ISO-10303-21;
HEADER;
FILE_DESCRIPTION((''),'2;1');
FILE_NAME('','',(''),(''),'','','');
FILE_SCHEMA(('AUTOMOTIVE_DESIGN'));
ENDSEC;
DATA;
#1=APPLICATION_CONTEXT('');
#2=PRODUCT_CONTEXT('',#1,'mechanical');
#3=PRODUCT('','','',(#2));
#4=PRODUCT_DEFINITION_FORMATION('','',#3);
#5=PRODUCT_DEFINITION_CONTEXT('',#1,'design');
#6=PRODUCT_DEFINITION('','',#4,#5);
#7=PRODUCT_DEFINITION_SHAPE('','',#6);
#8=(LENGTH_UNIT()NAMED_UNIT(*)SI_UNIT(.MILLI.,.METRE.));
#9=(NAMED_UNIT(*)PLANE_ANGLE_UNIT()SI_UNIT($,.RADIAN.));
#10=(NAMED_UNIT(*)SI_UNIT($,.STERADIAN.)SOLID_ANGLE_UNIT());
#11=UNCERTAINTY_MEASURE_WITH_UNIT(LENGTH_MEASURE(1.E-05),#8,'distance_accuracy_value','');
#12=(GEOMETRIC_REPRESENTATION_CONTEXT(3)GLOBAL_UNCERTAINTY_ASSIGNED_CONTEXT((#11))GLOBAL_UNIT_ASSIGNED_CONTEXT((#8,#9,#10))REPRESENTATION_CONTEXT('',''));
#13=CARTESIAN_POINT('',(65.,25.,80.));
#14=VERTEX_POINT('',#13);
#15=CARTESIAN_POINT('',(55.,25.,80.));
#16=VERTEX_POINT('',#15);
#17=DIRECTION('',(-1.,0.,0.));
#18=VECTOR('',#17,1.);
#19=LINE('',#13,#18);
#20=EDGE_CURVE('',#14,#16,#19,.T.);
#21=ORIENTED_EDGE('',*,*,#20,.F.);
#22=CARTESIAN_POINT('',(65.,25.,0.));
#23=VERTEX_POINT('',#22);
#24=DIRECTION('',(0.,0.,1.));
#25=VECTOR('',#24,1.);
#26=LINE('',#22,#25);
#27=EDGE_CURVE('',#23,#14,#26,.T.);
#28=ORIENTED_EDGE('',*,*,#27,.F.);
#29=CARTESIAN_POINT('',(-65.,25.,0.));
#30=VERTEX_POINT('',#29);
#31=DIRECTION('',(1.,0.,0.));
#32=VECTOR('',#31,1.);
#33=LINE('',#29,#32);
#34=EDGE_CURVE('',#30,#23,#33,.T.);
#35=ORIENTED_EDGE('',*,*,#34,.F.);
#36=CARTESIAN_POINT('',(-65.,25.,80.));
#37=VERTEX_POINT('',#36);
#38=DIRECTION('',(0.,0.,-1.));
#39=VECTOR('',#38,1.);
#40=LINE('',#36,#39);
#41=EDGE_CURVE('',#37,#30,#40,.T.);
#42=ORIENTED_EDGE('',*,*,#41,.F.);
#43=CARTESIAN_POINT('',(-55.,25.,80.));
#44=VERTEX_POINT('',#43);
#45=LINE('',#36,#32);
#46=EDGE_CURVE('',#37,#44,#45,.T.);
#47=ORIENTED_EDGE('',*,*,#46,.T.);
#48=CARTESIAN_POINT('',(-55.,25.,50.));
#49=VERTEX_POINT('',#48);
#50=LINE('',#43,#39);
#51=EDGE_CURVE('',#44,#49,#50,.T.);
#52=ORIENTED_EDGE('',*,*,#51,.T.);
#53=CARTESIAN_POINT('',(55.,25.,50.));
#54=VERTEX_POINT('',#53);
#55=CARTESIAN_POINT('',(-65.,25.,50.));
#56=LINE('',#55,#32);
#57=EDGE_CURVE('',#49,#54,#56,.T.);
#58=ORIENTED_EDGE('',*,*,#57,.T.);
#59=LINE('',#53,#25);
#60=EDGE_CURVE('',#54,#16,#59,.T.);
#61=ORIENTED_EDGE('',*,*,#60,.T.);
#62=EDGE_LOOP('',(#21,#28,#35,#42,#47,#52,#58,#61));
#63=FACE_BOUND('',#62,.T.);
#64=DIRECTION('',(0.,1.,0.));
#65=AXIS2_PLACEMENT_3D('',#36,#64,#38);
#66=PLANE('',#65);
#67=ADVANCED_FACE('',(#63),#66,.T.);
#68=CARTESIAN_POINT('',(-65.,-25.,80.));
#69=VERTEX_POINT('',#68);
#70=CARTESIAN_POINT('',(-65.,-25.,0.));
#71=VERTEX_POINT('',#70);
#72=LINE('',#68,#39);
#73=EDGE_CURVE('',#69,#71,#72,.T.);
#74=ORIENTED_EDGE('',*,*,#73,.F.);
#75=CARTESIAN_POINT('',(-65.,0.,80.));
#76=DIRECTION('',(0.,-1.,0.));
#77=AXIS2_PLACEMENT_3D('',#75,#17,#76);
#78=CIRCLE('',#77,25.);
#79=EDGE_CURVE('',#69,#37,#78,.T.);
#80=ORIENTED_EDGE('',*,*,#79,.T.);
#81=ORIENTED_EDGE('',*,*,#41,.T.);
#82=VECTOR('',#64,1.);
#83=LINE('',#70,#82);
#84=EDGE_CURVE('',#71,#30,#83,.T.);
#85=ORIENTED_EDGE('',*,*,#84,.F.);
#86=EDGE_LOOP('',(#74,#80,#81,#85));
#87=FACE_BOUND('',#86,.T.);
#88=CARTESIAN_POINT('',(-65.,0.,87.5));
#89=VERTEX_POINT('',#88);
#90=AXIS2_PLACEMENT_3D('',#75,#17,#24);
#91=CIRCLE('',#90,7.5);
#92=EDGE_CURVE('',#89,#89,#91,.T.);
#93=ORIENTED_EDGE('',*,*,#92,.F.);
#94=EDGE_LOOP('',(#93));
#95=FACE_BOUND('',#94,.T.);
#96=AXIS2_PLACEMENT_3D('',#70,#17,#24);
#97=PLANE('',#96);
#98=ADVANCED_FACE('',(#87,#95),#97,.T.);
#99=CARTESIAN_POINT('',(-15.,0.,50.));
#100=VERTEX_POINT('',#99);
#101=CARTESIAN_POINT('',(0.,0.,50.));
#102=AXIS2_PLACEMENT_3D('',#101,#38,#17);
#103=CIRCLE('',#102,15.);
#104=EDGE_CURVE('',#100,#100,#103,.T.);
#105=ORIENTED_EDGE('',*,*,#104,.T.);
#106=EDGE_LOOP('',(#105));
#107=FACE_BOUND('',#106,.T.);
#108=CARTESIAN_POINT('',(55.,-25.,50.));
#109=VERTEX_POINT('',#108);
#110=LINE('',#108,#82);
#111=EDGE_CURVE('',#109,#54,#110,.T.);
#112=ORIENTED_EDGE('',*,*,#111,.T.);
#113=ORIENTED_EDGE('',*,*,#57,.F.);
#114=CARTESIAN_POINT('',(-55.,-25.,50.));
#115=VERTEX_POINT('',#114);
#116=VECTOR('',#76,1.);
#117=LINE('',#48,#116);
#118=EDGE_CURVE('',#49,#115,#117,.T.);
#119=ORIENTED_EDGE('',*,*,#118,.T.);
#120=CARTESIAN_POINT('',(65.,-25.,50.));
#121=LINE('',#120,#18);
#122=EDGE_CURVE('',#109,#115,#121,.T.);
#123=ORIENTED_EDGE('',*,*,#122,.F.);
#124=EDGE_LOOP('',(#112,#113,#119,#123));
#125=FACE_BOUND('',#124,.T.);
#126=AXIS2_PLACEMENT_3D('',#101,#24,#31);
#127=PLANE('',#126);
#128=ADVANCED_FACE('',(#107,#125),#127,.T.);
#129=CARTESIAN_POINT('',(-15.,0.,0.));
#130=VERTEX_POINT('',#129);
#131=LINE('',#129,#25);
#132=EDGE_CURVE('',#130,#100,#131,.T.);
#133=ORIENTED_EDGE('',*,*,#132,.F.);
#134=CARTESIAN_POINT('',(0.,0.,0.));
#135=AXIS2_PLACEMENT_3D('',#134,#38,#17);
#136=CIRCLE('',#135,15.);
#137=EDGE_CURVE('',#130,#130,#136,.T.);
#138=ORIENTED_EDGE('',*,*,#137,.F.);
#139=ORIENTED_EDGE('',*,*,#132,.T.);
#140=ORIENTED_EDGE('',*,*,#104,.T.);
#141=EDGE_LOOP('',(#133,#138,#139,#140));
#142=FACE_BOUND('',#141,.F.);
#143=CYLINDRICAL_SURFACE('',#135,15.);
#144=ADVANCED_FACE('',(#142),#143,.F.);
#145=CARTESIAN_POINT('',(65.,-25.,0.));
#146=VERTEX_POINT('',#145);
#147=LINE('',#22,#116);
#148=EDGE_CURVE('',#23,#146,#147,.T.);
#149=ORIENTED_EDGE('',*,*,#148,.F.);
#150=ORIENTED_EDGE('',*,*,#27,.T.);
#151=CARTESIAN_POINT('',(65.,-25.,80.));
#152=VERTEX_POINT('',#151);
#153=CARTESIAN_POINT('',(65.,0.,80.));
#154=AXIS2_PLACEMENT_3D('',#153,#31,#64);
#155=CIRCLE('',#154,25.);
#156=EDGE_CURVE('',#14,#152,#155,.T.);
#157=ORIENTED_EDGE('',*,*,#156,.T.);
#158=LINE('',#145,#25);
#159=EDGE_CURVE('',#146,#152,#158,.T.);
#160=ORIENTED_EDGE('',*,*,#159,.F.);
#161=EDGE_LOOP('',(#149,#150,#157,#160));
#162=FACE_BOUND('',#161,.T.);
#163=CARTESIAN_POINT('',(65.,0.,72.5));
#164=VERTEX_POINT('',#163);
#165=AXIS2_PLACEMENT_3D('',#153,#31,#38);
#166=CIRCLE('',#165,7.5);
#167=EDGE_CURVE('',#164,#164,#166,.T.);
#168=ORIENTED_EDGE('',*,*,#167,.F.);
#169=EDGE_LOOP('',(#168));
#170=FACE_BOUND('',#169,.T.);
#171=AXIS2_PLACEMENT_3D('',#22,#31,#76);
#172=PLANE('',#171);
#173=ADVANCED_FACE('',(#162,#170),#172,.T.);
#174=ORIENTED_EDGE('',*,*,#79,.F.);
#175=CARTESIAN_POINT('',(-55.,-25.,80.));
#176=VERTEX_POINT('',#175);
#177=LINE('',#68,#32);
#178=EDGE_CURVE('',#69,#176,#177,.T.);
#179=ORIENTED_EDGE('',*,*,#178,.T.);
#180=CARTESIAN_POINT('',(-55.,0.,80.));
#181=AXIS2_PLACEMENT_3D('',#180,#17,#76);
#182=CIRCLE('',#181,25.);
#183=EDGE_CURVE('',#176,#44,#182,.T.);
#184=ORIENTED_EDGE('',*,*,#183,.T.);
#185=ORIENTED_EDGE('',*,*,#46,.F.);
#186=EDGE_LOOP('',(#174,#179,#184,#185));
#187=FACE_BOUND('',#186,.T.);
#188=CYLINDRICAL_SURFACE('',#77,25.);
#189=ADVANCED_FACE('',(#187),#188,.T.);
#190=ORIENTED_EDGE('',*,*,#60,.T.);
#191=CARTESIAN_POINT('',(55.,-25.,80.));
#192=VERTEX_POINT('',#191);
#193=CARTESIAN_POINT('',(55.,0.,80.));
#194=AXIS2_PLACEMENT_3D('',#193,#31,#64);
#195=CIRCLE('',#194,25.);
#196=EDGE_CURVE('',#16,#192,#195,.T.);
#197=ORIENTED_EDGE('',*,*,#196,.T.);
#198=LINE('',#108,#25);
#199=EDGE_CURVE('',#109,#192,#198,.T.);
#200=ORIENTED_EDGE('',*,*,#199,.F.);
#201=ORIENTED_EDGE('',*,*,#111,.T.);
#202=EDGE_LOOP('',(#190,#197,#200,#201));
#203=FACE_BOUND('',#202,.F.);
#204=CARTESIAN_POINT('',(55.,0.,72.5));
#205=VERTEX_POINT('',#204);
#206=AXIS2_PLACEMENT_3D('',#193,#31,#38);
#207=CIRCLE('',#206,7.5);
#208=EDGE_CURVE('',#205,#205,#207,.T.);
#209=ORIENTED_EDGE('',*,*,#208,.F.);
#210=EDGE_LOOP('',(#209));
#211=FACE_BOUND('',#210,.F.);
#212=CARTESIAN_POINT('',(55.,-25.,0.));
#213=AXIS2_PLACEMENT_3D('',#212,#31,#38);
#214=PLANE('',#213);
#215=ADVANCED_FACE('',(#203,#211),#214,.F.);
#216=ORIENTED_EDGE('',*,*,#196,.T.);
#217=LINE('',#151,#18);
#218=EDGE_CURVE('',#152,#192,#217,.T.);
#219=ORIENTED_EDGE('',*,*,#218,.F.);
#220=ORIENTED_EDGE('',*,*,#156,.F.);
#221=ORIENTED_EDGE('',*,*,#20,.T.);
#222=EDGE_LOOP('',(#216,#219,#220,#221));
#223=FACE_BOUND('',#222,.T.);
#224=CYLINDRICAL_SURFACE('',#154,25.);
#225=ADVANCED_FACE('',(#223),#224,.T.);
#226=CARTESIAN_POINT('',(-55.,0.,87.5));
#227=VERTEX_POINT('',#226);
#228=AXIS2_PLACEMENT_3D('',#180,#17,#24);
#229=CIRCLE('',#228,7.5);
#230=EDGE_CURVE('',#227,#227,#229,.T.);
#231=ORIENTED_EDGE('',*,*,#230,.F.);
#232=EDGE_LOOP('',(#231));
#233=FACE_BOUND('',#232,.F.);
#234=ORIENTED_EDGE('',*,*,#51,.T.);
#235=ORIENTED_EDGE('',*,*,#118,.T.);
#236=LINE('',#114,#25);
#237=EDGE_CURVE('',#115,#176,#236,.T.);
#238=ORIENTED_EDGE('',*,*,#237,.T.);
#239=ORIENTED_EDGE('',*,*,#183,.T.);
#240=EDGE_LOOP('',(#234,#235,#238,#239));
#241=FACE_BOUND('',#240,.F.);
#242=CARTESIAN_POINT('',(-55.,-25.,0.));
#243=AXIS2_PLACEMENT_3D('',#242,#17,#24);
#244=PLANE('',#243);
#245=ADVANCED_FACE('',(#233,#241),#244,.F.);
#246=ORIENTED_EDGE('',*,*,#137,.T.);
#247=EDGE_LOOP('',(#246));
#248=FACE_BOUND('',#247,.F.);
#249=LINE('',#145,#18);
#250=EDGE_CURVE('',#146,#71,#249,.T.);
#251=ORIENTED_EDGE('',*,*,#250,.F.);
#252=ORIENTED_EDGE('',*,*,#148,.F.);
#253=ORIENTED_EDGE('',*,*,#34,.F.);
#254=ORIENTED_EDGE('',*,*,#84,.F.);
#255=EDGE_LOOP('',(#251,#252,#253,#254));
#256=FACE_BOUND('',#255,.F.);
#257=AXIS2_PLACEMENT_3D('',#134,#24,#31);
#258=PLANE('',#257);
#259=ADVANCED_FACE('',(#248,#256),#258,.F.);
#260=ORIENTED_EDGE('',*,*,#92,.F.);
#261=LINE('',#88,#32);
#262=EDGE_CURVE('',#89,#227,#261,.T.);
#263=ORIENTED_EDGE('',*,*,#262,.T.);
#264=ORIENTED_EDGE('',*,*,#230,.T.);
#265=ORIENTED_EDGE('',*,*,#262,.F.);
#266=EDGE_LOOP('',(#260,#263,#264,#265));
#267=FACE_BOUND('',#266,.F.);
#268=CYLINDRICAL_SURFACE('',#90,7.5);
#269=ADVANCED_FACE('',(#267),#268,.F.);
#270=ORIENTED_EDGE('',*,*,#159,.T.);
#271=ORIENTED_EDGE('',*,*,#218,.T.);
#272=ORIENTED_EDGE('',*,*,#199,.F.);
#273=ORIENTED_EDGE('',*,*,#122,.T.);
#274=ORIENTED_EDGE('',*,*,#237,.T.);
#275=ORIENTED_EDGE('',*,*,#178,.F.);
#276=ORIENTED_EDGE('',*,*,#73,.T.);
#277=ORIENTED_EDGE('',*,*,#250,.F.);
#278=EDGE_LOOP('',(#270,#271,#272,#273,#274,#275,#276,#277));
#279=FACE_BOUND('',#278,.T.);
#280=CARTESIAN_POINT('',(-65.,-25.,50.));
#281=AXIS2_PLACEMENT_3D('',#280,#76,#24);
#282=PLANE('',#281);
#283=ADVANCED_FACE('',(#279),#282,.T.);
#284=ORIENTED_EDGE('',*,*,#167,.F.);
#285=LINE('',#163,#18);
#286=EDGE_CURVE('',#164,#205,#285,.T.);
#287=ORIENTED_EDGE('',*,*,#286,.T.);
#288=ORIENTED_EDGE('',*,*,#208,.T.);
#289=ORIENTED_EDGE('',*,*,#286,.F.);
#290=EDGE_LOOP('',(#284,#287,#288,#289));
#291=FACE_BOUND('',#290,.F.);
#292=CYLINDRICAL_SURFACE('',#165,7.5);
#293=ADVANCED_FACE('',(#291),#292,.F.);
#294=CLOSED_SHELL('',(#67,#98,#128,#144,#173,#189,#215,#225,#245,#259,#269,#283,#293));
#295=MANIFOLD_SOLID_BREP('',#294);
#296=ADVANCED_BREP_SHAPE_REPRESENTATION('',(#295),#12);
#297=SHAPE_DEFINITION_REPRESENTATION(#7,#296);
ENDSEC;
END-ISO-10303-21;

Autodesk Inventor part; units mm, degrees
ref_plane "YZ Plane" through (0, 0, 0) normal (1, 0, 0) x (0, 1, 0)
ref_plane "XZ Plane" through (0, 0, 0) normal (0, 1, 0) x (-1, 0, 0)
ref_plane "XY Plane" through (0, 0, 0) normal (0, 0, 1) x (1, 0, 0)
sketch "Boceto1" plane through (0, 0, 0) normal (0, 0, 1) x (1, 0, 0)
  line L0 (65, -25) -> (-65, -25)
  line L1 (-65, -25) -> (-65, 25)
  line L2 (-65, 25) -> (65, 25)
  line L3 (65, 25) -> (65, -25)
  line L4 (65, -25) -> (-65, 25) construction
  line L5 (-65, -25) -> (65, 25) construction
  point P0 (0, 0)
  dimension "d0" = 130
  dimension "d1" = 50
extrude "Extrusión1" add sketch "Boceto1" along normal blind 50
sketch "Boceto2" plane through (65, -25, 0) normal (1, 0, 0) x (0, 0, -1)
  line L0 (-50, 0) -> (-80, 0)
  line L1 (-50, 0) -> (-50, 50) projected
  line L2 (-50, 50) -> (-80, 50)
  arc A0 (-80, 50) -> (-80, 0) centre (-80, 25) ccw
  circle A1 centre (-80, 25) radius 7.5
  point P0 (0, 25)
  dimension "d4" = 30
  dimension "d5" = 30
  dimension "d6" = 15
extrude "Extrusión2" add sketch "Boceto2" against normal blind 10
sketch "Boceto3" plane through (-65, -25, 0) normal (-1, 0, 0) x (0, 0, 1)
  circle A0 centre (80, 25) radius 7.5 projected
  arc A1 (80, 0) -> (80, 50) centre (80, 25) ccw projected
  line L0 (80, 50) -> (50, 50) projected
  line L1 (50, 50) -> (50, 0) projected
  line L2 (50, 0) -> (80, 0) projected
  point P0 (0, 25)
extrude "Extrusión3" add sketch "Boceto3" against normal blind 10
sketch "Boceto4" plane through (0, 0, 0) normal (0, 0, -1) x (-1, 0, 0)
  circle A0 centre (0, 0) radius 15
  dimension "d11" = 30
extrude "Extrusión4" cut sketch "Boceto4" against normal up to next
properties part number "Muñeca"
